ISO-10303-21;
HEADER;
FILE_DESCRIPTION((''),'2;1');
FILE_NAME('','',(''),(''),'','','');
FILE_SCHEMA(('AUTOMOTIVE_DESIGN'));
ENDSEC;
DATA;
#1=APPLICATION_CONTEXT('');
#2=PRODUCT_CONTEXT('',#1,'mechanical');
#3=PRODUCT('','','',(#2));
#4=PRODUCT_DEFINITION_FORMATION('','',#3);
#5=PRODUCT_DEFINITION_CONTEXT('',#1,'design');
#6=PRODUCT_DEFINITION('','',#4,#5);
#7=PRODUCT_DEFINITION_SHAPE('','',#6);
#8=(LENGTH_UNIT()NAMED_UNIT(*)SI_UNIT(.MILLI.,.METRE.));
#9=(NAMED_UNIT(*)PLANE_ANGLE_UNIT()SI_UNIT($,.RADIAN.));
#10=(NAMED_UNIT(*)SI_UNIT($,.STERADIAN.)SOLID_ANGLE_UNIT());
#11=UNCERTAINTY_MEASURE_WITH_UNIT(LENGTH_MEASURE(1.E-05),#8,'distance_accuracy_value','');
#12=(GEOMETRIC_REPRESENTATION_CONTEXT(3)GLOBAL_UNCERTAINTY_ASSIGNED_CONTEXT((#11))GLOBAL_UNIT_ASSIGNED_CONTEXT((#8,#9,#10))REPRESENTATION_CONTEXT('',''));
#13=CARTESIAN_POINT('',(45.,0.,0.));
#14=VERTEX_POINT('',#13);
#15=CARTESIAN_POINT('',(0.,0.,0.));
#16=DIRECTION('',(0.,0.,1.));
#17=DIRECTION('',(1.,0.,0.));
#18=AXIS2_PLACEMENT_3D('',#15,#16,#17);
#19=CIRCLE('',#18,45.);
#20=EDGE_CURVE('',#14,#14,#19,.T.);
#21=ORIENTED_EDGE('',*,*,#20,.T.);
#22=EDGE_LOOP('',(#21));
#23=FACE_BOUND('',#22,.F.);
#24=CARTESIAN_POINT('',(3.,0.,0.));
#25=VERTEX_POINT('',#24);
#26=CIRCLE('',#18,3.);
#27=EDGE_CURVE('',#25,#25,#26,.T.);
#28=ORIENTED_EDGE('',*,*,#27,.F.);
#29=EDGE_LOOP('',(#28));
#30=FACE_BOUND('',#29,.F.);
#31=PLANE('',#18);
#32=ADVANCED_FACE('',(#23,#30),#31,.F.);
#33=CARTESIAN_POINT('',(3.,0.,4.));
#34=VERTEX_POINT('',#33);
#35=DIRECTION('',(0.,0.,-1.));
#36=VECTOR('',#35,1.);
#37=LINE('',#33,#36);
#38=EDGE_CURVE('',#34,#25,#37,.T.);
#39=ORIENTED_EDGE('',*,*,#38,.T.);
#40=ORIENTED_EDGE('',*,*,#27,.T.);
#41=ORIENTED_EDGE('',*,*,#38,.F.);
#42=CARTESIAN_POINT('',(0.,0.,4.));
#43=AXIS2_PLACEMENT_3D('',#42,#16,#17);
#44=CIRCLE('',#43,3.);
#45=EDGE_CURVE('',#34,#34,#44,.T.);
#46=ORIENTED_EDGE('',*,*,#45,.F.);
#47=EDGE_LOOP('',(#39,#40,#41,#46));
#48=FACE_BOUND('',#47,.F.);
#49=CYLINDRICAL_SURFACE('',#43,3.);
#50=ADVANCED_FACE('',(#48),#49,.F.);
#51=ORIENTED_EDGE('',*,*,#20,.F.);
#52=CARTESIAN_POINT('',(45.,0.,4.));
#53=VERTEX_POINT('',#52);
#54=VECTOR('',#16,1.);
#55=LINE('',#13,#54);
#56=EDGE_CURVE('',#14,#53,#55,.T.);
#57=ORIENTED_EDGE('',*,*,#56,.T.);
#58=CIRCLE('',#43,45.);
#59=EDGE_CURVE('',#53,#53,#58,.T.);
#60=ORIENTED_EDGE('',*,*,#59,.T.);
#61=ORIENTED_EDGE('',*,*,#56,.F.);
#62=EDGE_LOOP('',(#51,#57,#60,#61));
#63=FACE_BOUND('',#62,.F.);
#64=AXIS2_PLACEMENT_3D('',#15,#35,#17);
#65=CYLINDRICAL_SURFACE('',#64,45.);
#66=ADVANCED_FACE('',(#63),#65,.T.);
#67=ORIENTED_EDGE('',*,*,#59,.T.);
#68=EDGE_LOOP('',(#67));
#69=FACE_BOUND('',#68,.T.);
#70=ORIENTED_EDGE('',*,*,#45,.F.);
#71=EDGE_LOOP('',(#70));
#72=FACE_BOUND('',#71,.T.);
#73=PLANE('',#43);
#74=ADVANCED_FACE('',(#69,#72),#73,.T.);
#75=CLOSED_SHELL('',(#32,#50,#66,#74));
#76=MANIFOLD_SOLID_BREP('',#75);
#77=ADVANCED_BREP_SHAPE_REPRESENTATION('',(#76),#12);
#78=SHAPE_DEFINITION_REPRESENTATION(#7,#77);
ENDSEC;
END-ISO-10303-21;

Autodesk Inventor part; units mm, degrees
ref_plane "YZ Plane" through (0, 0, 0) normal (1, 0, 0) x (0, 1, 0)
ref_plane "XZ Plane" through (0, 0, 0) normal (0, 1, 0) x (-1, 0, 0)
ref_plane "XY Plane" through (0, 0, 0) normal (0, 0, 1) x (1, 0, 0)
sketch "Sketch1" plane through (0, 0, 0) normal (0, 0, 1) x (1, 0, 0)
  circle A0 centre (0, 0) radius 45
  dimension "d0" = 0
  dimension "d1" = 0
  dimension "d2" = 90
extrude "Extrusion1" add sketch "Sketch1" along normal blind 4
sketch "Sketch2" plane through (0, 0, 4) normal (0, 0, 1) x (1, 0, 0)
  circle A0 centre (0, 0) radius 45 projected
  circle A1 centre (0, 0) radius 3
  dimension "d5" = 6
extrude "Extrusion2" cut sketch "Sketch2" against normal blind 9 contours A1
thread "Thread1" size "M6x1" class "6H" standard "ANSI Metric M Profile" full length
properties part number "diptero"
